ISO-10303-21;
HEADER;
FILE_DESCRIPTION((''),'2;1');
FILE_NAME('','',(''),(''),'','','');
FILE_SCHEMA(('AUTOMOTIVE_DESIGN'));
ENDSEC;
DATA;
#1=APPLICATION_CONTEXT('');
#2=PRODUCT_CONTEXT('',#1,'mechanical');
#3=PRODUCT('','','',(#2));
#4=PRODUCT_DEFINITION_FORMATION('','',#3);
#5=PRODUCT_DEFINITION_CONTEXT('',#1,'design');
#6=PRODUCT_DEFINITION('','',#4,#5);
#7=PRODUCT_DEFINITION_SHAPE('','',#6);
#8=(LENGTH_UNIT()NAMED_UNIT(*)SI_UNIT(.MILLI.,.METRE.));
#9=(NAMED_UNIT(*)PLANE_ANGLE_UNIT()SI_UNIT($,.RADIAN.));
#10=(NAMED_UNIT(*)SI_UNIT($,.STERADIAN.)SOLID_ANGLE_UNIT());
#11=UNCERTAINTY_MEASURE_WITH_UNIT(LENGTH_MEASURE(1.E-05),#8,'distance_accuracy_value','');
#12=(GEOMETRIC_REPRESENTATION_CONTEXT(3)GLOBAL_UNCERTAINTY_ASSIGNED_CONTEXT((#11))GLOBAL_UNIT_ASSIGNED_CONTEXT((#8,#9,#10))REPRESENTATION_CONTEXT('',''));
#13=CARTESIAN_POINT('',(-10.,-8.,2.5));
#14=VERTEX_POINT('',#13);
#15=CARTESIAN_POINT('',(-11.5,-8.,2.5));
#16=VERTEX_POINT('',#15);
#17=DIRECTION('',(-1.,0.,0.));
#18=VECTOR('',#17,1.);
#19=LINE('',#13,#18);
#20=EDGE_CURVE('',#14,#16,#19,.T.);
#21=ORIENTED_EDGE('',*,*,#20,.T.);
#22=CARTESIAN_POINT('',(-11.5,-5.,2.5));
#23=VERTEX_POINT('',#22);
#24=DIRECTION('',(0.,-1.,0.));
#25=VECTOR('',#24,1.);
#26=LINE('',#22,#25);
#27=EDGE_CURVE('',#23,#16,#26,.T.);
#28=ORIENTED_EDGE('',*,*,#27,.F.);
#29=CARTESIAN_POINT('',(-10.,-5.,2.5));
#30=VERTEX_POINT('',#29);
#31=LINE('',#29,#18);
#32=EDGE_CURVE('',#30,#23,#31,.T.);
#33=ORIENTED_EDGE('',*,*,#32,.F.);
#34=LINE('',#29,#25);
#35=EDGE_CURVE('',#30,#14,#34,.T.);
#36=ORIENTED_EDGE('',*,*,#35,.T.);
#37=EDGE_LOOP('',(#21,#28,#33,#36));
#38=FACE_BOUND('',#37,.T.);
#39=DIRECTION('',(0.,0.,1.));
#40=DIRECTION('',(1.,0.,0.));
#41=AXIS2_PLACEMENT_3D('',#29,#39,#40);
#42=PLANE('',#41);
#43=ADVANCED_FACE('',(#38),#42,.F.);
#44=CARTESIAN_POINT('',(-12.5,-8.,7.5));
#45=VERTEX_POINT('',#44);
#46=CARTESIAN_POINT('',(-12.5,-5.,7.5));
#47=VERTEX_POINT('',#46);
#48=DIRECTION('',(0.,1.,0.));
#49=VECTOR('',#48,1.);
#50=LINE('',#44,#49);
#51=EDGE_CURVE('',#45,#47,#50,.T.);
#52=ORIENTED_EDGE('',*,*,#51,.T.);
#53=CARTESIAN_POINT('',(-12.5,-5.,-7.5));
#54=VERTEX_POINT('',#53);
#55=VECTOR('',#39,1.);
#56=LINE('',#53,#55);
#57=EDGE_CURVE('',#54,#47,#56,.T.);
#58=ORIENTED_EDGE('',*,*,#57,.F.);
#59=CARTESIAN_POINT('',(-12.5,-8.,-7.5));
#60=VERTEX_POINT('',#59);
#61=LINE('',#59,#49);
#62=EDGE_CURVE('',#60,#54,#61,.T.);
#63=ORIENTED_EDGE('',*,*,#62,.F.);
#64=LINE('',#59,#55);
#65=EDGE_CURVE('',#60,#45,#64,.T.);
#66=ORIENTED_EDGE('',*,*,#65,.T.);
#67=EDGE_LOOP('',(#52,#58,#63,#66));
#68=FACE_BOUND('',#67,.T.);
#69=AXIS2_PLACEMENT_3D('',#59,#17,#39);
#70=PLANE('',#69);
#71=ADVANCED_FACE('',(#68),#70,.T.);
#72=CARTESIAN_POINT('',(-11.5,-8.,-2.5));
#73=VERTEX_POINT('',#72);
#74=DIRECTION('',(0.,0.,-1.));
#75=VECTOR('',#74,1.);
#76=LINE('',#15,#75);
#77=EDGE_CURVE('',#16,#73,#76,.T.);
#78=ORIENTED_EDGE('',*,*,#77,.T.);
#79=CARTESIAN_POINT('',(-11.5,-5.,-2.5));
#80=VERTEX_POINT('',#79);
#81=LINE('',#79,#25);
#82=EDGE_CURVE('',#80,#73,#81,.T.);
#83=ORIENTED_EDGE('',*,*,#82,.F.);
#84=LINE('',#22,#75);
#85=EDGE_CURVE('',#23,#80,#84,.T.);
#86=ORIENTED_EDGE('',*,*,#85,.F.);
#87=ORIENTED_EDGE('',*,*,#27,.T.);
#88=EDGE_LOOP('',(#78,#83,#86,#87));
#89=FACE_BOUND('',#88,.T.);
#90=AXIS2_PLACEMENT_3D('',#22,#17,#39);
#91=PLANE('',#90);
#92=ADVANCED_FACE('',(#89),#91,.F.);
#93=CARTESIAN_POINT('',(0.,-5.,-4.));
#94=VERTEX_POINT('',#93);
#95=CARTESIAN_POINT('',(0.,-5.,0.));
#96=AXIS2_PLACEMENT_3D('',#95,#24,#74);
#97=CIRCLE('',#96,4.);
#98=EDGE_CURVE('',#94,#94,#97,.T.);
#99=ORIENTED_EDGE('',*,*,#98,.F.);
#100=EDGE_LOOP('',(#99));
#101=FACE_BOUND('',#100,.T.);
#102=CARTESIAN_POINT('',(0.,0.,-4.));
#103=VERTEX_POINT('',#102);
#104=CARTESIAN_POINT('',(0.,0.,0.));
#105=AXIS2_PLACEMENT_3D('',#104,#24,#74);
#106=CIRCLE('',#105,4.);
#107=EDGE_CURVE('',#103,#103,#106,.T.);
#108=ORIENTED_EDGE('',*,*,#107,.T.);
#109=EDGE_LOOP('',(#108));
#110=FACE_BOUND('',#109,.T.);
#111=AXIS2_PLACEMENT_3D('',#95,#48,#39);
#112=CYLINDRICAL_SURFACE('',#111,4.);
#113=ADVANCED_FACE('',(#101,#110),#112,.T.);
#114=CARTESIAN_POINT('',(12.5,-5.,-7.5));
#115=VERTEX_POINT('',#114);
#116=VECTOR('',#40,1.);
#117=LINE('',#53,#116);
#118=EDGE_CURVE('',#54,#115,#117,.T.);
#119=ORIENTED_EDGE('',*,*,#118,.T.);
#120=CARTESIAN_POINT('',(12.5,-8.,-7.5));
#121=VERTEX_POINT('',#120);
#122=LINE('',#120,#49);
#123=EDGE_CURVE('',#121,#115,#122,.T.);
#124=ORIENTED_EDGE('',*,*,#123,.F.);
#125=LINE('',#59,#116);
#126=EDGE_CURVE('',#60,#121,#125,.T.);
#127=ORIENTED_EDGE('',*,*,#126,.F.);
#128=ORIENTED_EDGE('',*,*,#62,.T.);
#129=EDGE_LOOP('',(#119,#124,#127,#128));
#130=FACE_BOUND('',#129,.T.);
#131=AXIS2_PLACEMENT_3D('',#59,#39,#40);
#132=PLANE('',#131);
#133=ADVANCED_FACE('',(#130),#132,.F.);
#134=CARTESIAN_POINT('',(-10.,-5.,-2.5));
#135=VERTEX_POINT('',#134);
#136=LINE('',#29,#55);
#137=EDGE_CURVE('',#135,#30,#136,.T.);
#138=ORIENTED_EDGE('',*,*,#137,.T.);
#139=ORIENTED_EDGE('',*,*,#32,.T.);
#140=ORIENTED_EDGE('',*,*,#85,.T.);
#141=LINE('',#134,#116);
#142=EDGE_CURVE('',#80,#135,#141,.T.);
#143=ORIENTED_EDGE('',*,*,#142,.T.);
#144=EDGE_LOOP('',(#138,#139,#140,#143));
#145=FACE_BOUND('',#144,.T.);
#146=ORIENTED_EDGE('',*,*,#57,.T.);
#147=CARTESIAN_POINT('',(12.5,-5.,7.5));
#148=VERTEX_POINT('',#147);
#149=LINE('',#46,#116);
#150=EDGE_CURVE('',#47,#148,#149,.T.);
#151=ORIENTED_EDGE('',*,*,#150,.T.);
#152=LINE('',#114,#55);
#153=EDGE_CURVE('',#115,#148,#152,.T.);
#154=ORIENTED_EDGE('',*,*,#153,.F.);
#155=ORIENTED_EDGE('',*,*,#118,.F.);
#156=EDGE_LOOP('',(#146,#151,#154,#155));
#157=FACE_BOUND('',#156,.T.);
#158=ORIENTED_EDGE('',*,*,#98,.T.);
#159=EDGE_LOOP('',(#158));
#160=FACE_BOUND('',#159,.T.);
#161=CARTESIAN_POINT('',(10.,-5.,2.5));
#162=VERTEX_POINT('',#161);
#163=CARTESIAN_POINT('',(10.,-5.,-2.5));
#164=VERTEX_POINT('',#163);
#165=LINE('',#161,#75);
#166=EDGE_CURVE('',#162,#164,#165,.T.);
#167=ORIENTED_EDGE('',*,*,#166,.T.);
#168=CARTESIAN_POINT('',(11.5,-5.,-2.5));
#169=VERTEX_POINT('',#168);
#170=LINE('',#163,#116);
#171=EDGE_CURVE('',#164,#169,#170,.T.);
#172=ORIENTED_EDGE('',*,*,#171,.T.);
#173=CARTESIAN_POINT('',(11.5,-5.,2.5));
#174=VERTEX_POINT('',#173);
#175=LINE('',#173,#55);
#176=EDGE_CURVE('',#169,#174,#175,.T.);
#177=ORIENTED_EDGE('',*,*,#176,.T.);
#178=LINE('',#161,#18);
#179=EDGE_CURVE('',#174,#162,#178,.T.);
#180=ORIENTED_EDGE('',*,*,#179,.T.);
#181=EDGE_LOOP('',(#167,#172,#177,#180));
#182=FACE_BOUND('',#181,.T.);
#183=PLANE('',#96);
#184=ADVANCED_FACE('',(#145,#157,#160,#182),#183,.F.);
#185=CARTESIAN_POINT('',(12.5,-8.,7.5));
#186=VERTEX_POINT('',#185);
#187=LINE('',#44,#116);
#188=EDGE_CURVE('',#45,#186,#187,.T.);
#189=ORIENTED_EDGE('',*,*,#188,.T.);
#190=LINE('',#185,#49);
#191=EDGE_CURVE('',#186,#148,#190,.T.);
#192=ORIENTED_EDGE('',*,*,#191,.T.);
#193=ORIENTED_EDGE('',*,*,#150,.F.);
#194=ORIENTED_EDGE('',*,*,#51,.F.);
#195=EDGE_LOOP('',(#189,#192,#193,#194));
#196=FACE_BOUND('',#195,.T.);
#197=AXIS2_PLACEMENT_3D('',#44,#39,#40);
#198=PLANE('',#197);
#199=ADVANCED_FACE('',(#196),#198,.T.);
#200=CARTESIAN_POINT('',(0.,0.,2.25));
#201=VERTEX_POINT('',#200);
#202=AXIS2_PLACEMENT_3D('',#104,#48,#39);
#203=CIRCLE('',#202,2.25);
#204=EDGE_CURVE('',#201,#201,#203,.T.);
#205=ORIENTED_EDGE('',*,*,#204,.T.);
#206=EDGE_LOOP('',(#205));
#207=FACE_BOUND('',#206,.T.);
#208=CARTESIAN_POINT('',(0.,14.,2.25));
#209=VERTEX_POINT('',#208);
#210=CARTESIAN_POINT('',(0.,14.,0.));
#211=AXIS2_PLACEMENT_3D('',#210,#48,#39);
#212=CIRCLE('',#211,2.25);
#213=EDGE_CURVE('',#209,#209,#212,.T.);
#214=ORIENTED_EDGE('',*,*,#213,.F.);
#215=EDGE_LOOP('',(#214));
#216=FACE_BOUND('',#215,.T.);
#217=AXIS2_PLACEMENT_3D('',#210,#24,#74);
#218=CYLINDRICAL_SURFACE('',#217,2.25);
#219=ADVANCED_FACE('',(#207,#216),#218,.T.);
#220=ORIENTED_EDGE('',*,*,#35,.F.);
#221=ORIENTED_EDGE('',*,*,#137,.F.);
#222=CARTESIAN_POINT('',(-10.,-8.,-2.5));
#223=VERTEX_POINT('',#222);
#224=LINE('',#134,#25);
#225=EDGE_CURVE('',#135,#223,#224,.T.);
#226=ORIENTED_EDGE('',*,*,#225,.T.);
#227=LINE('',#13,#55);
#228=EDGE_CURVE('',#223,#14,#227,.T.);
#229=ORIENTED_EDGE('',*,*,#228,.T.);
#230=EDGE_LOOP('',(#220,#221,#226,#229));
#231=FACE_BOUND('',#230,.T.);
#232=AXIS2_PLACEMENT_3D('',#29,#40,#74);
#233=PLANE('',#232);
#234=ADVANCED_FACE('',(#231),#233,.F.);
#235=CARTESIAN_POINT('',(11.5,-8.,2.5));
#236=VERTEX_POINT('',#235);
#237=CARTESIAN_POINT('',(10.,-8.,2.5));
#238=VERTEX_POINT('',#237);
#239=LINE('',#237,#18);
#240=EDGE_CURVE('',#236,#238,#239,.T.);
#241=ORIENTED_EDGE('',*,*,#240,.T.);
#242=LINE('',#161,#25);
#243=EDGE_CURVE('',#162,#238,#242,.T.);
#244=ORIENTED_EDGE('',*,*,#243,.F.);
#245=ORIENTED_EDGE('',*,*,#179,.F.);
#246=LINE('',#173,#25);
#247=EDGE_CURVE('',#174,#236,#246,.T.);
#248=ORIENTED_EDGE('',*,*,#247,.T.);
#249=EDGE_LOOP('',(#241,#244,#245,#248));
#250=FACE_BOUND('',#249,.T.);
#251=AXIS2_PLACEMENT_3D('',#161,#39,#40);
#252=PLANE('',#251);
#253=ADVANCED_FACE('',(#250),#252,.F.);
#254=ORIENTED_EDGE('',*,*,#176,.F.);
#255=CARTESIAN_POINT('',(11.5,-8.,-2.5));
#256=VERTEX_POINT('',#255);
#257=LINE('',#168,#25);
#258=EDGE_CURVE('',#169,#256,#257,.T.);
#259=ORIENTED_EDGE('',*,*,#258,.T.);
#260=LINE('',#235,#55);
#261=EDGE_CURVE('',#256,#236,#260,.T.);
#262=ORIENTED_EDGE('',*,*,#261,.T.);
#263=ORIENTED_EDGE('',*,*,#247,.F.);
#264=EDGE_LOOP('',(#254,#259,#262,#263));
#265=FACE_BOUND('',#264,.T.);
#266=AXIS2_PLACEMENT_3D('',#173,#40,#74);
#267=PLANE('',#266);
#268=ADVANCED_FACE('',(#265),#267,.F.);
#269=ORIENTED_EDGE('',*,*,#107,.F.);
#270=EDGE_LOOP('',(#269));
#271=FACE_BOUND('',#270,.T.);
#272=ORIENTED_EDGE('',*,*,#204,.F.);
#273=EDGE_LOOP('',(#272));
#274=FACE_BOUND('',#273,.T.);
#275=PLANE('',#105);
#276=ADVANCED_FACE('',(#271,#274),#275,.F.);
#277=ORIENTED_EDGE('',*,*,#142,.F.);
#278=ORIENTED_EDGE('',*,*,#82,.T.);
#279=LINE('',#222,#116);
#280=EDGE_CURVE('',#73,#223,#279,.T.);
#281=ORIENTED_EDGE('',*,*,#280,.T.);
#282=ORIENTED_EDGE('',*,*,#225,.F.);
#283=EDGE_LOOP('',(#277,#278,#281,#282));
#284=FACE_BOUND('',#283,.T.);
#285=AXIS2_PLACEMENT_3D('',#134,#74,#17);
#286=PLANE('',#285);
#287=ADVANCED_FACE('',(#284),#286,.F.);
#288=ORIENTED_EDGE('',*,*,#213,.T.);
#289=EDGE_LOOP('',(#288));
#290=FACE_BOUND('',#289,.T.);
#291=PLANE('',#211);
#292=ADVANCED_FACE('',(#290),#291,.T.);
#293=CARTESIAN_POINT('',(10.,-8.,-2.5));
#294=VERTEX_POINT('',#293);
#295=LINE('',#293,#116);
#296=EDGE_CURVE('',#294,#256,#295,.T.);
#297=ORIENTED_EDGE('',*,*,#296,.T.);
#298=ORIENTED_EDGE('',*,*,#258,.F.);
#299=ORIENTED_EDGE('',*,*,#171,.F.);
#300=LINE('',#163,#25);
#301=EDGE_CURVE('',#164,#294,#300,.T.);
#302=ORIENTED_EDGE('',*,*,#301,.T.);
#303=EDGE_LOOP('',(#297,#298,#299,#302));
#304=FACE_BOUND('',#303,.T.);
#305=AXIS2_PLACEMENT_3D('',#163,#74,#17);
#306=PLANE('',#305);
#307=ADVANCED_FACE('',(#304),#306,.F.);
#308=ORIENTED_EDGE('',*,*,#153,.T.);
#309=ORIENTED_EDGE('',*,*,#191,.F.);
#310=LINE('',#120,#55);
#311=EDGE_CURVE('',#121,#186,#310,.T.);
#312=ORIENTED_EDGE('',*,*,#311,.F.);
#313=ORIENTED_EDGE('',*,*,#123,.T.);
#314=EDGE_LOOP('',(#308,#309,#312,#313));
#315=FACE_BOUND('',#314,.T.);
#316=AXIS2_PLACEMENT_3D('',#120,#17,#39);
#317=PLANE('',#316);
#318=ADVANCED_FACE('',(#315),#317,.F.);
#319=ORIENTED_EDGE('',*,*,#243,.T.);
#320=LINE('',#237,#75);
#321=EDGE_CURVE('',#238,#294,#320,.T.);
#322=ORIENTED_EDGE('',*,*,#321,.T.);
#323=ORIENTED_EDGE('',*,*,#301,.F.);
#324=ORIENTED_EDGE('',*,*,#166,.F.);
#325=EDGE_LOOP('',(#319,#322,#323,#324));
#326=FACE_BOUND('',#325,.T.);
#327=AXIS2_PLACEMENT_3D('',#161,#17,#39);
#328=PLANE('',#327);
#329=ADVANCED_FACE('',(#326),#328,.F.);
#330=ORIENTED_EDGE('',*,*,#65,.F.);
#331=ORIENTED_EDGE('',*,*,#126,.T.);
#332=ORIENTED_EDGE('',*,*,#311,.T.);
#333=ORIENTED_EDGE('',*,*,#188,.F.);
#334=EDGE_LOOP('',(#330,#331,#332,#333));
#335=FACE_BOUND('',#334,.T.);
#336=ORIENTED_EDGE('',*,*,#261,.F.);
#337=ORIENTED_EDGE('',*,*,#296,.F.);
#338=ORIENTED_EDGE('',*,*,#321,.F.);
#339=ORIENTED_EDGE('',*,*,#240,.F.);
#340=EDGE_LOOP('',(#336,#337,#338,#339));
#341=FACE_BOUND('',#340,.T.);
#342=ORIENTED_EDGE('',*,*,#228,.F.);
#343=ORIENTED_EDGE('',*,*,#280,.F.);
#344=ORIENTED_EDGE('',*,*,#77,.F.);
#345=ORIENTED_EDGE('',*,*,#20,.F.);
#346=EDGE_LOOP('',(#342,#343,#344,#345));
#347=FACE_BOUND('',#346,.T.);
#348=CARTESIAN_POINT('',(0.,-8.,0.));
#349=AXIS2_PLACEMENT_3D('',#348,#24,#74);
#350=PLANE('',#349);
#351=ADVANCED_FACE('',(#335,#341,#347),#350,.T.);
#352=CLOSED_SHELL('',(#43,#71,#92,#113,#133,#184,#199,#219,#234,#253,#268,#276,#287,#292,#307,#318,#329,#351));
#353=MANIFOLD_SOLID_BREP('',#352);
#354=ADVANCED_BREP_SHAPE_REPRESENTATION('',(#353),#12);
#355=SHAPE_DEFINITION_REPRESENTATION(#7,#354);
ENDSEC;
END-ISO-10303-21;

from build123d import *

# Parameters (mm, degrees)
SKETCH1_R           = 2.25
BOSS_EXTRUDE1_DEPTH = 14
SKETCH2_R           = 4
BOSS_EXTRUDE2_DEPTH = 5
SKETCH3_W           = 25
SKETCH3_H           = 15
BOSS_EXTRUDE3_DEPTH = 3
SKETCH4_W           = 1.5
SKETCH4_H           = 5
CUT_EXTRUDE1_DEPTH  = 3


with BuildPart() as part:
    # Sketch1 → Boss-Extrude1 (new body)
    with BuildSketch(Plane(origin=(0, 0, 0), x_dir=(1, 0, 0), z_dir=(0, 1, 0))):
        with Locations(Location((0, 0, 0), (0, 0, 270))):
            Circle(SKETCH1_R)
    extrude(amount=BOSS_EXTRUDE1_DEPTH)

    # Sketch2 → Boss-Extrude2 (add)
    with BuildSketch(Plane.XZ):
        with Locations(Location((0, 0, 0), (0, 0, 270))):
            Circle(SKETCH2_R)
    extrude(amount=BOSS_EXTRUDE2_DEPTH)

    # Sketch3 → Boss-Extrude3 (add)
    with BuildSketch(Plane.XZ.offset(5)):
        Rectangle(SKETCH3_W, SKETCH3_H)
    extrude(amount=BOSS_EXTRUDE3_DEPTH)

    # Sketch4 → Cut-Extrude1 (cut)
    with BuildSketch(Plane.XZ.offset(8)):
        with Locations((-10.75, 0)):
            Rectangle(SKETCH4_W, SKETCH4_H)
        with Locations((10.75, 0)):
            Rectangle(SKETCH4_W, SKETCH4_H)
    extrude(amount=-CUT_EXTRUDE1_DEPTH, mode=Mode.SUBTRACT)


solid = part.part
